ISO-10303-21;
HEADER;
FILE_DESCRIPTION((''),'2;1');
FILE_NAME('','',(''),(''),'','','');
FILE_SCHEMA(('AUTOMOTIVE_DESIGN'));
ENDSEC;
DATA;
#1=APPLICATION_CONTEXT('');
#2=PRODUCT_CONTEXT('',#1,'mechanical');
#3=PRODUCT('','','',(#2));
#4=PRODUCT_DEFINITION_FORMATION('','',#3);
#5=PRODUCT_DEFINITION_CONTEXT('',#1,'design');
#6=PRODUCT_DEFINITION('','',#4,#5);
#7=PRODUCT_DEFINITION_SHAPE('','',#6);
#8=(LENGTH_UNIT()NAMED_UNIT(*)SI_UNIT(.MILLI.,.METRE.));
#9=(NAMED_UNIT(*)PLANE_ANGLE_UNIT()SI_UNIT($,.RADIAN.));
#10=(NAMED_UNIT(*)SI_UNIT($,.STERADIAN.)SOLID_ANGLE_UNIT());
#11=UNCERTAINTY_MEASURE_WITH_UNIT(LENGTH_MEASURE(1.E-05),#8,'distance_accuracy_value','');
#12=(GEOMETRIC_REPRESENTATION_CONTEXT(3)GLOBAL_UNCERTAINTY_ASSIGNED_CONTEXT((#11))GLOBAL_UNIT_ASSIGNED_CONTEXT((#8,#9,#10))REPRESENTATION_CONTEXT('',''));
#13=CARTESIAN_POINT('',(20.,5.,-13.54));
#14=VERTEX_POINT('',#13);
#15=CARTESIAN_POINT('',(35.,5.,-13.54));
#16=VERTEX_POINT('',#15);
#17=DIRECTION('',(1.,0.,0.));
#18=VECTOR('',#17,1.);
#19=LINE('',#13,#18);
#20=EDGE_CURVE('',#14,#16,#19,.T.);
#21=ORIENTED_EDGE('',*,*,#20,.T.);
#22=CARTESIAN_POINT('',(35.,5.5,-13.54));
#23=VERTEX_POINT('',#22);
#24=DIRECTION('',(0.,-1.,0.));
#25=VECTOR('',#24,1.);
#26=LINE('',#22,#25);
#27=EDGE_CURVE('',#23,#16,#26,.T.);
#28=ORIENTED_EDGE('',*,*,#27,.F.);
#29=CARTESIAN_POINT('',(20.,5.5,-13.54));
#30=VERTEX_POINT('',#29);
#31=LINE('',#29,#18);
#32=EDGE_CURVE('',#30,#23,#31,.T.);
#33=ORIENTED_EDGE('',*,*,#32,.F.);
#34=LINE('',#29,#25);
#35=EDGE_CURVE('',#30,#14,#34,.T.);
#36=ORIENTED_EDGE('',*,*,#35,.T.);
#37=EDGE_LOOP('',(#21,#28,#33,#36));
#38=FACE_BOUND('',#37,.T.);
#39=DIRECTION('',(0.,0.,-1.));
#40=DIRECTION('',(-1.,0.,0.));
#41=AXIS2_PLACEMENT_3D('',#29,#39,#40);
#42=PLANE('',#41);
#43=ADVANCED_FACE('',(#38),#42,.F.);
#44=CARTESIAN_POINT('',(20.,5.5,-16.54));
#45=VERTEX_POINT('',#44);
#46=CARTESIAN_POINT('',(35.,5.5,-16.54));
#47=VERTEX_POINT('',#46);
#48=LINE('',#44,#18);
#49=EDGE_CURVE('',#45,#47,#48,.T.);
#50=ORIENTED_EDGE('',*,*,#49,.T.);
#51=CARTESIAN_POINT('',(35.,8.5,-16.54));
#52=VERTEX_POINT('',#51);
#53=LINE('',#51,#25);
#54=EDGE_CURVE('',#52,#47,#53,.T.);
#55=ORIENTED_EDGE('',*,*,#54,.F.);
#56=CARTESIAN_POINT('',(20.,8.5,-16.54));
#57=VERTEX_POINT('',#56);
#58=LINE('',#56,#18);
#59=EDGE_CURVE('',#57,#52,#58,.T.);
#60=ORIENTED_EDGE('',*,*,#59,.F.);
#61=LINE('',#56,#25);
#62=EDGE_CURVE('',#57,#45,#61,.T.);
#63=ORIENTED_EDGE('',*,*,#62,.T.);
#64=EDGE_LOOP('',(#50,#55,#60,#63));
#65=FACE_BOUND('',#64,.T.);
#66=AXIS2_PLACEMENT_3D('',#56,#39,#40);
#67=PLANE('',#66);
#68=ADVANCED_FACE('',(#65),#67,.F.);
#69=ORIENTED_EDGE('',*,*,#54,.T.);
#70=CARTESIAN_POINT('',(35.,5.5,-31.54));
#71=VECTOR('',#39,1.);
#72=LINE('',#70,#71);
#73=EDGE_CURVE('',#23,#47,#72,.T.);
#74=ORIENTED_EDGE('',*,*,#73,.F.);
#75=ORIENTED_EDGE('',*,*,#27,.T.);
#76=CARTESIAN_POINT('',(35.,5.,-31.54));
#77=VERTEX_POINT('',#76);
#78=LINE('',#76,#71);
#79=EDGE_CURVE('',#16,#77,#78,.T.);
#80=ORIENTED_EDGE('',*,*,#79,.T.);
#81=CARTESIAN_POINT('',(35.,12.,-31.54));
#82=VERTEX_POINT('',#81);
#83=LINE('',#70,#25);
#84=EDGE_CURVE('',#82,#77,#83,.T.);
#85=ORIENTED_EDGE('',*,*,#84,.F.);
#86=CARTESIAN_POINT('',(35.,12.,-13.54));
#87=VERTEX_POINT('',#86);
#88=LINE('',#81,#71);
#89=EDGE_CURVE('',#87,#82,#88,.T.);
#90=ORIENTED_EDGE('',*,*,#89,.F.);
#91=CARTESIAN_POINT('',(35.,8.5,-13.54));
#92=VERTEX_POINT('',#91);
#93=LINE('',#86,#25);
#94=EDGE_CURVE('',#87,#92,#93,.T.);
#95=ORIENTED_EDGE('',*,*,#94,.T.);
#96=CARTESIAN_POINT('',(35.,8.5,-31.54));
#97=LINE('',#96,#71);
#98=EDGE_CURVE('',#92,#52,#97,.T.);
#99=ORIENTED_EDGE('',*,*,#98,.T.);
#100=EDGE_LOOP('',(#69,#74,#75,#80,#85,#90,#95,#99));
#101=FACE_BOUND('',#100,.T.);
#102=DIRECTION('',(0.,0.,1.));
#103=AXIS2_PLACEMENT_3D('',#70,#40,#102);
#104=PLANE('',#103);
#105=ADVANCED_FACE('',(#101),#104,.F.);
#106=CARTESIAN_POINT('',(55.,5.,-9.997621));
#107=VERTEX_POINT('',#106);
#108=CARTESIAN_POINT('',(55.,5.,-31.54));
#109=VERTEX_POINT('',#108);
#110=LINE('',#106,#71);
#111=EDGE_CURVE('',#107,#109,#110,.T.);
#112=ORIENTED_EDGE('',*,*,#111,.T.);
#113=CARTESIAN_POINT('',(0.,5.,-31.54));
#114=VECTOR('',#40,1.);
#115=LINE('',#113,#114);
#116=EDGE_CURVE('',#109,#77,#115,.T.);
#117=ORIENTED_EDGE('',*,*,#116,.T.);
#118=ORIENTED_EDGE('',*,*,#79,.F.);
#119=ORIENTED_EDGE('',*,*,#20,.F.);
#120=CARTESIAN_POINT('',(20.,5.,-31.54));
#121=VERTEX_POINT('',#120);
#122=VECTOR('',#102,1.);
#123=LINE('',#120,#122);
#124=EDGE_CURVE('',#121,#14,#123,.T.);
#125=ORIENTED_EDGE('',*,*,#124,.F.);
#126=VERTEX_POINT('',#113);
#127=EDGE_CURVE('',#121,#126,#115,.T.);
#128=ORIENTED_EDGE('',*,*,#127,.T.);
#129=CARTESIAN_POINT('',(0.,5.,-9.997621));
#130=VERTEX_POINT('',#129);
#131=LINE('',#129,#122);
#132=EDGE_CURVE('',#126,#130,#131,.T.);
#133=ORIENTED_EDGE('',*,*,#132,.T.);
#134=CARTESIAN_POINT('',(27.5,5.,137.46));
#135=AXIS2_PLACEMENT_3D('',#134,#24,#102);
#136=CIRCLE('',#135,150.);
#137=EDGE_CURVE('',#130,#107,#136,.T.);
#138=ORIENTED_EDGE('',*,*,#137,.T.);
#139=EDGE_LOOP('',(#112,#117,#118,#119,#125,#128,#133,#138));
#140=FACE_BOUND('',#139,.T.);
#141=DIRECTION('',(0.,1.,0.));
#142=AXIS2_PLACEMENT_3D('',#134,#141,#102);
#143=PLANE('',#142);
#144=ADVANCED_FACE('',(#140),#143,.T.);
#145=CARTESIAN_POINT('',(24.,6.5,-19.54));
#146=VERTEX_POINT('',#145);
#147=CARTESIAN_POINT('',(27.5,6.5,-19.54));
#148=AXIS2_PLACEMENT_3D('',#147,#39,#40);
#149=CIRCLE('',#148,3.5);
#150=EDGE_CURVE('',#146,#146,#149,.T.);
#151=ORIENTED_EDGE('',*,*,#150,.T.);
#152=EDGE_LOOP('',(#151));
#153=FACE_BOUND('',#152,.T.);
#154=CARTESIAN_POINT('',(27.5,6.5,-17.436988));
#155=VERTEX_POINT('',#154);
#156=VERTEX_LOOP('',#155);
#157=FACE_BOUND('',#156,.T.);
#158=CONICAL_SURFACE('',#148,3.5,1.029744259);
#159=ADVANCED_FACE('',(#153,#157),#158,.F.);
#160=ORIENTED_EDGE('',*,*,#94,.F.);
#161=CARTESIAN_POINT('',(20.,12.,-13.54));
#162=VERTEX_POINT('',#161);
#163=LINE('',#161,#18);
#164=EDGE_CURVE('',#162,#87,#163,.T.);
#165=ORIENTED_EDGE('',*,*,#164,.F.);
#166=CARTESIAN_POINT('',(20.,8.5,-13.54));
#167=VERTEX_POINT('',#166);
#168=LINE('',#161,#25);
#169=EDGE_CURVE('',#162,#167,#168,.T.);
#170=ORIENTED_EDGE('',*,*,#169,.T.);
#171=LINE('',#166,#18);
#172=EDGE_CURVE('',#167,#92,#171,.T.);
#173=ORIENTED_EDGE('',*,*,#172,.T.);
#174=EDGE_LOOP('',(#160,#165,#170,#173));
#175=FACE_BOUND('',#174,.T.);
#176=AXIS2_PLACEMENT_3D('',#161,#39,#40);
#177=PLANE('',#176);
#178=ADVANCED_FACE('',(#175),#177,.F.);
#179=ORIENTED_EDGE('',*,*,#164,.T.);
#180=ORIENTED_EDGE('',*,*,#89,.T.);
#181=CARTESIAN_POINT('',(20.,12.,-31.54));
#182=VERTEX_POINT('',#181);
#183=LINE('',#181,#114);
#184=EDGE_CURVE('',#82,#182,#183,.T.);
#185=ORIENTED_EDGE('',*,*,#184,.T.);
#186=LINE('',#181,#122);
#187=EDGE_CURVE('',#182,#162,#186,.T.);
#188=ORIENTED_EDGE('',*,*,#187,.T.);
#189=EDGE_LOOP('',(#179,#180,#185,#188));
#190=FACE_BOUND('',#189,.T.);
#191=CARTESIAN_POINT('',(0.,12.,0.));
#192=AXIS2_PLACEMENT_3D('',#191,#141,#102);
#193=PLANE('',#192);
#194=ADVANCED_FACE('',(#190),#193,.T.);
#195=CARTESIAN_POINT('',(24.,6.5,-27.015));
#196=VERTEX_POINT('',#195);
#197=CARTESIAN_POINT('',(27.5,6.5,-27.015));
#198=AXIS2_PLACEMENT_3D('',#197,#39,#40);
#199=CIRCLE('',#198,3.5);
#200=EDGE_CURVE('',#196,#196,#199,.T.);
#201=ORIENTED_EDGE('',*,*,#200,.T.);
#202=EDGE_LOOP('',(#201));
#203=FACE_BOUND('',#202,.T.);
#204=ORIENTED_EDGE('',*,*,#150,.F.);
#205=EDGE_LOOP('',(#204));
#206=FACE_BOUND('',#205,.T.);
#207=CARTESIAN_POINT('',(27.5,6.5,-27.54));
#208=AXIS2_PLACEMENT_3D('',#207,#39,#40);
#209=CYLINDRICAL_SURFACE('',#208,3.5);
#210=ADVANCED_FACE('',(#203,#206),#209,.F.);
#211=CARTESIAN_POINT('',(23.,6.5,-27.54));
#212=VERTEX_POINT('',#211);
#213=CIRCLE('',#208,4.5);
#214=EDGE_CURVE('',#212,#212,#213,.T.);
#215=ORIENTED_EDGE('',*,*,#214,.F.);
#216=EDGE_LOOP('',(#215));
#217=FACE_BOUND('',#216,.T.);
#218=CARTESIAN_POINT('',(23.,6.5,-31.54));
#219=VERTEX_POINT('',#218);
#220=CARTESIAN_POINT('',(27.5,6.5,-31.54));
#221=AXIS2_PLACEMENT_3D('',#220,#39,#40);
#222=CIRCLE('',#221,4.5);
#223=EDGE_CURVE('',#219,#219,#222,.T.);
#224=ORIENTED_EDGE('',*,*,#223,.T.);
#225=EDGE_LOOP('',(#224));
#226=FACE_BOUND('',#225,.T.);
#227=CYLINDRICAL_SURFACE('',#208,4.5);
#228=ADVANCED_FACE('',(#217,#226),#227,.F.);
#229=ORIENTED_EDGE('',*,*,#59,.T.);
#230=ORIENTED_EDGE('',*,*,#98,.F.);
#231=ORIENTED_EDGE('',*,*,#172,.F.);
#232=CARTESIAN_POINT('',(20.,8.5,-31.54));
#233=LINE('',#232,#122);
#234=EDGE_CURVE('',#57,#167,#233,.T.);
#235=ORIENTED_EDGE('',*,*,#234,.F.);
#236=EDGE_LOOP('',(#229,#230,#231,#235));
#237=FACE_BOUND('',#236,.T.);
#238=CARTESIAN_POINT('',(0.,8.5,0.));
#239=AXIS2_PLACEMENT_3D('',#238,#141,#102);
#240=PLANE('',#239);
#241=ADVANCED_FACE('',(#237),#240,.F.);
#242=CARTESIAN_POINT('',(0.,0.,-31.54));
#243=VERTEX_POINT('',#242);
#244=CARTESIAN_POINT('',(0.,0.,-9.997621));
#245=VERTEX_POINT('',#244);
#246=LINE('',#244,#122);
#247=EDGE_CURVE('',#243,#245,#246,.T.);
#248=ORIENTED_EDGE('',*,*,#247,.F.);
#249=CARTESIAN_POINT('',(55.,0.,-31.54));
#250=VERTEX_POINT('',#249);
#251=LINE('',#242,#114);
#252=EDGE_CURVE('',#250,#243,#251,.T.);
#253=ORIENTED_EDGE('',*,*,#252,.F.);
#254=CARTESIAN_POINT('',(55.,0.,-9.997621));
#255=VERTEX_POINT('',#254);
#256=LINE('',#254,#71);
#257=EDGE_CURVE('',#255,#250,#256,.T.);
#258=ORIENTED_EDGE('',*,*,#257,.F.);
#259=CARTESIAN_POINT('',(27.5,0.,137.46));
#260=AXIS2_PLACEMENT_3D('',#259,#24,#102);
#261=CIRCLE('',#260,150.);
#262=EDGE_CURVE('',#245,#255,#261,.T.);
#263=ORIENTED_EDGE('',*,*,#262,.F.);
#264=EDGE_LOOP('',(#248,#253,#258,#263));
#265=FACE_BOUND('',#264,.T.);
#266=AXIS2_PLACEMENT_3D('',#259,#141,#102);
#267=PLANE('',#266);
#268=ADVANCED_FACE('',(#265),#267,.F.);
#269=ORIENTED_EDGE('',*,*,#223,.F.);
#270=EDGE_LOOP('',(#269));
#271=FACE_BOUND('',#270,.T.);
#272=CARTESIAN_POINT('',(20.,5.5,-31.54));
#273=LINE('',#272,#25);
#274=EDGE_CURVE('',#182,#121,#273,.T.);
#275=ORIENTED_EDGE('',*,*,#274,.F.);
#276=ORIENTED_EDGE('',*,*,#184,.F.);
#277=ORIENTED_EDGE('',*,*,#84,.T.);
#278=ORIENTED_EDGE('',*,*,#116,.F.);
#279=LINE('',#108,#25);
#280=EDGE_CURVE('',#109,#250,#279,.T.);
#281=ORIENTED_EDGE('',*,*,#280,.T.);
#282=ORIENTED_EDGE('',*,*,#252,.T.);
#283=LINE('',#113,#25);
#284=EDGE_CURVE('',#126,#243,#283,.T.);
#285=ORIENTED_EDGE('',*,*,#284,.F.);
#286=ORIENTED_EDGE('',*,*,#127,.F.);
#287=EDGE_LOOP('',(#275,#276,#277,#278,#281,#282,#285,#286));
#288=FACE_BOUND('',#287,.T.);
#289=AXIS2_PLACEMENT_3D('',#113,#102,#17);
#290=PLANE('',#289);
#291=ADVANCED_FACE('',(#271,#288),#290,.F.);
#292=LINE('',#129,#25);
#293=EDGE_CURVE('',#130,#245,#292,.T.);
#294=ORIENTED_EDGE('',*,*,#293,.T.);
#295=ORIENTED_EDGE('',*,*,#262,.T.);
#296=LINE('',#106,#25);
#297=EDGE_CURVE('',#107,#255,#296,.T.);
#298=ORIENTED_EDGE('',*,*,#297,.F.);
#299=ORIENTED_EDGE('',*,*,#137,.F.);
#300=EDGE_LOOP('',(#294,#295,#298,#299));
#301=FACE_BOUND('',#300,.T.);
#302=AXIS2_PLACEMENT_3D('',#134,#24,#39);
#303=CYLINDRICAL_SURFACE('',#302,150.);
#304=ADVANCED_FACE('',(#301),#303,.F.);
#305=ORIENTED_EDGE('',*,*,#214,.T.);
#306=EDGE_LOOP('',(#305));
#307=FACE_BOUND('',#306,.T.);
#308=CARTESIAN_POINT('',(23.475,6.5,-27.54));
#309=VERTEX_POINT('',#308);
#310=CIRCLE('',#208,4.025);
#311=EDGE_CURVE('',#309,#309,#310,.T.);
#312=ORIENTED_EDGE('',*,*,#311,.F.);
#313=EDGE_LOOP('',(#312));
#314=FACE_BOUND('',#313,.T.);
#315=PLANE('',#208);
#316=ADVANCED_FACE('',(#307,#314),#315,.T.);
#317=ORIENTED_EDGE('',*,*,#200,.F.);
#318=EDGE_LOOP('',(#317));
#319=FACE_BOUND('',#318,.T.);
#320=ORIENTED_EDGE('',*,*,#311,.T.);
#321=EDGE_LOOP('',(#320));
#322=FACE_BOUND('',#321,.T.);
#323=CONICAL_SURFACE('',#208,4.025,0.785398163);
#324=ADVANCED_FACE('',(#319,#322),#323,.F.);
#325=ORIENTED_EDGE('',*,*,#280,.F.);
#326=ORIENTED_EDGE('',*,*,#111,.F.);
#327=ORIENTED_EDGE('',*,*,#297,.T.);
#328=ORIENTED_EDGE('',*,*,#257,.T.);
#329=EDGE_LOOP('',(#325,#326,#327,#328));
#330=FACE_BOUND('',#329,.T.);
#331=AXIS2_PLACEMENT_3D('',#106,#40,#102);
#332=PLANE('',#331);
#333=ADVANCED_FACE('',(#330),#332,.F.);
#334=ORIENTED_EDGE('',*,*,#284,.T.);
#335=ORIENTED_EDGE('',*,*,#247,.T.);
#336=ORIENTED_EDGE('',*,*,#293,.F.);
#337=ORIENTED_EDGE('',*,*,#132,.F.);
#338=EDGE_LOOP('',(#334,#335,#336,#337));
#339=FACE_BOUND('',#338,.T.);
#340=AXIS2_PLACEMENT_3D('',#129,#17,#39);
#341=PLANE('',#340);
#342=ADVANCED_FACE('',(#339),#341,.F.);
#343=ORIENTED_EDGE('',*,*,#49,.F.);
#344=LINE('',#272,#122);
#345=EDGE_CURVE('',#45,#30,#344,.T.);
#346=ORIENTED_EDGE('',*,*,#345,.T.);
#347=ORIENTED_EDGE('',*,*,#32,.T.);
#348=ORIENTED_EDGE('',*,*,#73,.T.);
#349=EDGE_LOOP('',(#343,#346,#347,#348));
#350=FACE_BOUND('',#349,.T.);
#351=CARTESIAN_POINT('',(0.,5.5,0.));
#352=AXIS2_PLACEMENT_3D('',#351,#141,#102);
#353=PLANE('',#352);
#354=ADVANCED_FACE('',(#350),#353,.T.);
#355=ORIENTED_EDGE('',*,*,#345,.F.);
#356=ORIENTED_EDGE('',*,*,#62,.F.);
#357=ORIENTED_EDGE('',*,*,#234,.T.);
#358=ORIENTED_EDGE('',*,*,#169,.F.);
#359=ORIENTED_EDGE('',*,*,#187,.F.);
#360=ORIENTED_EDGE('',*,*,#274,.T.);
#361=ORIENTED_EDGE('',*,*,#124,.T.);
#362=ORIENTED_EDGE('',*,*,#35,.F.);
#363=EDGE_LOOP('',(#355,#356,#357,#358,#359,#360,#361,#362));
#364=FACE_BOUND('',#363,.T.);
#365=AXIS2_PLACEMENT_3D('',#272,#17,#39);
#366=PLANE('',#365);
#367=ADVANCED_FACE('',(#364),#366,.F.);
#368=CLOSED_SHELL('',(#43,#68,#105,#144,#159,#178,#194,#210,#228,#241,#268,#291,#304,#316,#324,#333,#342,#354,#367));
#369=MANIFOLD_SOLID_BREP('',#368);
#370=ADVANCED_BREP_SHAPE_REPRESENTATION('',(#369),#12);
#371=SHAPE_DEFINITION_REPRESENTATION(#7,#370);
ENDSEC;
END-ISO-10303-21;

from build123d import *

# Parameters (mm, degrees)
BOSS_EXTRUDE1_DEPTH             = 5
SKETCH4_W                       = 15
SKETCH4_H                       = 18
BOSS_EXTRUDE2_DEPTH             = 0.5
SKETCH5_W                       = 15
SKETCH5_H                       = 15
BOSS_EXTRUDE3_DEPTH             = 3
SKETCH6_W                       = 15
SKETCH6_H                       = 18
BOSS_EXTRUDE4_DEPTH             = 3.5
SKETCH9_R                       = 4.5
CUT_EXTRUDE1_DEPTH              = 4
M8X1_0_TAPPED_HOLE1_D           = 7
M8X1_0_TAPPED_HOLE1_DEPTH       = 8
M8X1_0_TAPPED_HOLE1_CSINK_D     = 8.05
M8X1_0_TAPPED_HOLE1_CSINK_ANGLE = 90
M8X1_0_TAPPED_HOLE1_TIP         = 2.103012167


with BuildPart() as part:
    # Sketch1 → Boss-Extrude1 (new body)
    with BuildSketch(Plane(origin=(0, 0, 0), x_dir=(1, 0, 0), z_dir=(0, 1, 0))):
        with BuildLine():
            Line((0, 9.997621031), (0, 31.54))
            Line((0, 31.54), (55, 31.54))
            Line((55, 31.54), (55, 9.997621031))
            ThreePointArc((55, 9.997621031), (27.5, 12.54), (0, 9.997621031))
        make_face()
    extrude(amount=BOSS_EXTRUDE1_DEPTH)

    # Sketch4 → Boss-Extrude2 (add)
    with BuildSketch(Plane(origin=(0, 5, 0), x_dir=(1, 0, 0), z_dir=(0, 1, 0))):
        with Locations((27.5, 22.54)):
            Rectangle(SKETCH4_W, SKETCH4_H)
    extrude(amount=BOSS_EXTRUDE2_DEPTH)

    # Sketch5 → Boss-Extrude3 (add)
    with BuildSketch(Plane(origin=(0, 5.5, 0), x_dir=(1, 0, 0), z_dir=(0, 1, 0))):
        with Locations((27.5, 24.04)):
            Rectangle(SKETCH5_W, SKETCH5_H)
    extrude(amount=BOSS_EXTRUDE3_DEPTH)

    # Sketch6 → Boss-Extrude4 (add)
    with BuildSketch(Plane(origin=(0, 8.5, 0), x_dir=(1, 0, 0), z_dir=(0, 1, 0))):
        with Locations((27.5, 22.54)):
            Rectangle(SKETCH6_W, SKETCH6_H)
    extrude(amount=BOSS_EXTRUDE4_DEPTH)

    # Sketch9 → Cut-Extrude1 (cut)
    with BuildSketch(Plane(origin=(0, 0, -31.54), x_dir=(-1, 0, 0), z_dir=(0, 0, -1))):
        with Locations((-27.5, 6.5)):
            Circle(SKETCH9_R)
    extrude(amount=-CUT_EXTRUDE1_DEPTH, mode=Mode.SUBTRACT)

    # M8x1.0 Tapped Hole1
    with Locations(Plane(origin=(0, 0, -27.54), x_dir=(-1, 0, 0), z_dir=(0, 0, -1))):
        with Locations((-27.5, 6.5)):
            CounterSinkHole(M8X1_0_TAPPED_HOLE1_D / 2, M8X1_0_TAPPED_HOLE1_CSINK_D / 2, depth=M8X1_0_TAPPED_HOLE1_DEPTH, counter_sink_angle=M8X1_0_TAPPED_HOLE1_CSINK_ANGLE)
            with Locations((0, 0, -(M8X1_0_TAPPED_HOLE1_DEPTH + M8X1_0_TAPPED_HOLE1_TIP / 2))):  # 118° drill point
                Cone(0, M8X1_0_TAPPED_HOLE1_D / 2, M8X1_0_TAPPED_HOLE1_TIP, mode=Mode.SUBTRACT)


solid = part.part
